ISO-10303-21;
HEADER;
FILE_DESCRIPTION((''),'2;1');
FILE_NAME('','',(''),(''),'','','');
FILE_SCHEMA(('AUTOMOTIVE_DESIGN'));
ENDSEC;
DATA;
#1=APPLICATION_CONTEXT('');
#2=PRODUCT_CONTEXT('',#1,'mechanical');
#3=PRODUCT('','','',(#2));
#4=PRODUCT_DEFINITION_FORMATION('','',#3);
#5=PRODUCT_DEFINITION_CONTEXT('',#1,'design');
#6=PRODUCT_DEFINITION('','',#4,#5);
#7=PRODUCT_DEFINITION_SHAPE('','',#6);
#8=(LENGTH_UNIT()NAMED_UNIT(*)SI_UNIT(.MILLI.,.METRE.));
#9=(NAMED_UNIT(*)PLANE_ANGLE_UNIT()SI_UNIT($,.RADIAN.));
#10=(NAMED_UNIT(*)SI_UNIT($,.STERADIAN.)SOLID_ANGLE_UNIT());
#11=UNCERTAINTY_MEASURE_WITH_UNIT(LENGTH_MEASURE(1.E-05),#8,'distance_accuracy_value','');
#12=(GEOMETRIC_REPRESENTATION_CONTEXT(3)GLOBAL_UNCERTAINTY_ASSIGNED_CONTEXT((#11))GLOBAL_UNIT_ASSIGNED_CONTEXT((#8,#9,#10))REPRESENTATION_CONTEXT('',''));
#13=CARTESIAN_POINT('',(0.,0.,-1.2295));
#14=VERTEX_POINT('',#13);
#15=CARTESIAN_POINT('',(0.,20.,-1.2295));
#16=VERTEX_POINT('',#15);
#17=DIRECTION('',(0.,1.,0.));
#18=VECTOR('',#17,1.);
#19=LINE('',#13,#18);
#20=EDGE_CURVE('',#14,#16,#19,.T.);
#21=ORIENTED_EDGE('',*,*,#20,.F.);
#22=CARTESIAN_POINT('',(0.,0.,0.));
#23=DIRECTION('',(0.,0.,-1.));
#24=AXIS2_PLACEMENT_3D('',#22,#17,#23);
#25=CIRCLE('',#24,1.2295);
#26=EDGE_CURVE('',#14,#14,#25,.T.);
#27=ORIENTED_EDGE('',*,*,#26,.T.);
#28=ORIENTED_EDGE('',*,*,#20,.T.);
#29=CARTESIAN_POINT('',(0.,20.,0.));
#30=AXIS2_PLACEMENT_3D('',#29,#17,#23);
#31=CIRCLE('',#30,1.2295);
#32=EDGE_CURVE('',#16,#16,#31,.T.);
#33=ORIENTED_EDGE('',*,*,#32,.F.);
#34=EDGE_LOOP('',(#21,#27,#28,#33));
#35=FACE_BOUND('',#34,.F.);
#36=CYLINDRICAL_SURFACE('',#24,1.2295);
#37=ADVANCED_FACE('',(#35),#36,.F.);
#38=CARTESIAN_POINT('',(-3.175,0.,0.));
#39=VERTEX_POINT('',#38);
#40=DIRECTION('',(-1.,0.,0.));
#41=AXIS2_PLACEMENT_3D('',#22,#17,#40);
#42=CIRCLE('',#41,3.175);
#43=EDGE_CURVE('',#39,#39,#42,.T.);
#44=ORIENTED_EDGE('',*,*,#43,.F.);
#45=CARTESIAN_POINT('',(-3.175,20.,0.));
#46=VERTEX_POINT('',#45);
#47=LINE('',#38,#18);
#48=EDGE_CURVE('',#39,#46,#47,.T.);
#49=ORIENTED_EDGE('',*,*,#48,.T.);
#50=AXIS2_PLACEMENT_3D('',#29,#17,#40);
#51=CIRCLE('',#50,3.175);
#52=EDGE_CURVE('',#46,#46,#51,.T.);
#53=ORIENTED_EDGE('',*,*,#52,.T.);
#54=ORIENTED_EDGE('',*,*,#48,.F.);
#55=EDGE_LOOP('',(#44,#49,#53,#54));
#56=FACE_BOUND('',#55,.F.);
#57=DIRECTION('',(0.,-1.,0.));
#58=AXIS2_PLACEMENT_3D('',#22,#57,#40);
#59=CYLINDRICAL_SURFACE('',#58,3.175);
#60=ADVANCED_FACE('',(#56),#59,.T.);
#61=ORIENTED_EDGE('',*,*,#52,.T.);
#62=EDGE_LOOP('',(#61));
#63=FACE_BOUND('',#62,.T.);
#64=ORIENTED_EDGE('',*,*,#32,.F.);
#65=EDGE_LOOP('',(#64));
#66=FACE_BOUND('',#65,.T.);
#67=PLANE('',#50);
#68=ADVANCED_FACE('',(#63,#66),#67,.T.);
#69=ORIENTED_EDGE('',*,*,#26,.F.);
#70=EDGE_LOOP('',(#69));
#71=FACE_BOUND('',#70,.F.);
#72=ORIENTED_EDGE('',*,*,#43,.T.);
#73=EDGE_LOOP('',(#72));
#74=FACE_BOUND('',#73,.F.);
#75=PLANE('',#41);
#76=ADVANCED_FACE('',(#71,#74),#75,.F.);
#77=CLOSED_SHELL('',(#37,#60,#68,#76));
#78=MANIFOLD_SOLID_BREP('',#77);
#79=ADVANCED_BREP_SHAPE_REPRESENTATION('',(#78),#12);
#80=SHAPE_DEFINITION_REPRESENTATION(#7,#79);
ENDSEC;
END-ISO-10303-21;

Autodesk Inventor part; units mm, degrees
ref_plane "YZ Plane" through (0, 0, 0) normal (1, 0, 0) x (0, 1, 0)
ref_plane "XZ Plane" through (0, 0, 0) normal (0, 1, 0) x (-1, 0, 0)
ref_plane "XY Plane" through (0, 0, 0) normal (0, 0, 1) x (1, 0, 0)
sketch "Sketch1" plane through (0, 0, 0) normal (0, 1, 0) x (-1, 0, 0)
  circle A0 centre (0, 0) radius 3.175
  dimension "d0" = 6.35
extrude "Extrusion1" add sketch "Sketch1" along normal blind 20
hole "Hole1" at (0, 0, 0) direction (0, 1, 0) diameter 2.459 end through all thread size "M3x0.5" class "6H" standard "ANSI Metric M Profile"
properties part number "20mm M3 Spacer" material "Stainless Steel"
